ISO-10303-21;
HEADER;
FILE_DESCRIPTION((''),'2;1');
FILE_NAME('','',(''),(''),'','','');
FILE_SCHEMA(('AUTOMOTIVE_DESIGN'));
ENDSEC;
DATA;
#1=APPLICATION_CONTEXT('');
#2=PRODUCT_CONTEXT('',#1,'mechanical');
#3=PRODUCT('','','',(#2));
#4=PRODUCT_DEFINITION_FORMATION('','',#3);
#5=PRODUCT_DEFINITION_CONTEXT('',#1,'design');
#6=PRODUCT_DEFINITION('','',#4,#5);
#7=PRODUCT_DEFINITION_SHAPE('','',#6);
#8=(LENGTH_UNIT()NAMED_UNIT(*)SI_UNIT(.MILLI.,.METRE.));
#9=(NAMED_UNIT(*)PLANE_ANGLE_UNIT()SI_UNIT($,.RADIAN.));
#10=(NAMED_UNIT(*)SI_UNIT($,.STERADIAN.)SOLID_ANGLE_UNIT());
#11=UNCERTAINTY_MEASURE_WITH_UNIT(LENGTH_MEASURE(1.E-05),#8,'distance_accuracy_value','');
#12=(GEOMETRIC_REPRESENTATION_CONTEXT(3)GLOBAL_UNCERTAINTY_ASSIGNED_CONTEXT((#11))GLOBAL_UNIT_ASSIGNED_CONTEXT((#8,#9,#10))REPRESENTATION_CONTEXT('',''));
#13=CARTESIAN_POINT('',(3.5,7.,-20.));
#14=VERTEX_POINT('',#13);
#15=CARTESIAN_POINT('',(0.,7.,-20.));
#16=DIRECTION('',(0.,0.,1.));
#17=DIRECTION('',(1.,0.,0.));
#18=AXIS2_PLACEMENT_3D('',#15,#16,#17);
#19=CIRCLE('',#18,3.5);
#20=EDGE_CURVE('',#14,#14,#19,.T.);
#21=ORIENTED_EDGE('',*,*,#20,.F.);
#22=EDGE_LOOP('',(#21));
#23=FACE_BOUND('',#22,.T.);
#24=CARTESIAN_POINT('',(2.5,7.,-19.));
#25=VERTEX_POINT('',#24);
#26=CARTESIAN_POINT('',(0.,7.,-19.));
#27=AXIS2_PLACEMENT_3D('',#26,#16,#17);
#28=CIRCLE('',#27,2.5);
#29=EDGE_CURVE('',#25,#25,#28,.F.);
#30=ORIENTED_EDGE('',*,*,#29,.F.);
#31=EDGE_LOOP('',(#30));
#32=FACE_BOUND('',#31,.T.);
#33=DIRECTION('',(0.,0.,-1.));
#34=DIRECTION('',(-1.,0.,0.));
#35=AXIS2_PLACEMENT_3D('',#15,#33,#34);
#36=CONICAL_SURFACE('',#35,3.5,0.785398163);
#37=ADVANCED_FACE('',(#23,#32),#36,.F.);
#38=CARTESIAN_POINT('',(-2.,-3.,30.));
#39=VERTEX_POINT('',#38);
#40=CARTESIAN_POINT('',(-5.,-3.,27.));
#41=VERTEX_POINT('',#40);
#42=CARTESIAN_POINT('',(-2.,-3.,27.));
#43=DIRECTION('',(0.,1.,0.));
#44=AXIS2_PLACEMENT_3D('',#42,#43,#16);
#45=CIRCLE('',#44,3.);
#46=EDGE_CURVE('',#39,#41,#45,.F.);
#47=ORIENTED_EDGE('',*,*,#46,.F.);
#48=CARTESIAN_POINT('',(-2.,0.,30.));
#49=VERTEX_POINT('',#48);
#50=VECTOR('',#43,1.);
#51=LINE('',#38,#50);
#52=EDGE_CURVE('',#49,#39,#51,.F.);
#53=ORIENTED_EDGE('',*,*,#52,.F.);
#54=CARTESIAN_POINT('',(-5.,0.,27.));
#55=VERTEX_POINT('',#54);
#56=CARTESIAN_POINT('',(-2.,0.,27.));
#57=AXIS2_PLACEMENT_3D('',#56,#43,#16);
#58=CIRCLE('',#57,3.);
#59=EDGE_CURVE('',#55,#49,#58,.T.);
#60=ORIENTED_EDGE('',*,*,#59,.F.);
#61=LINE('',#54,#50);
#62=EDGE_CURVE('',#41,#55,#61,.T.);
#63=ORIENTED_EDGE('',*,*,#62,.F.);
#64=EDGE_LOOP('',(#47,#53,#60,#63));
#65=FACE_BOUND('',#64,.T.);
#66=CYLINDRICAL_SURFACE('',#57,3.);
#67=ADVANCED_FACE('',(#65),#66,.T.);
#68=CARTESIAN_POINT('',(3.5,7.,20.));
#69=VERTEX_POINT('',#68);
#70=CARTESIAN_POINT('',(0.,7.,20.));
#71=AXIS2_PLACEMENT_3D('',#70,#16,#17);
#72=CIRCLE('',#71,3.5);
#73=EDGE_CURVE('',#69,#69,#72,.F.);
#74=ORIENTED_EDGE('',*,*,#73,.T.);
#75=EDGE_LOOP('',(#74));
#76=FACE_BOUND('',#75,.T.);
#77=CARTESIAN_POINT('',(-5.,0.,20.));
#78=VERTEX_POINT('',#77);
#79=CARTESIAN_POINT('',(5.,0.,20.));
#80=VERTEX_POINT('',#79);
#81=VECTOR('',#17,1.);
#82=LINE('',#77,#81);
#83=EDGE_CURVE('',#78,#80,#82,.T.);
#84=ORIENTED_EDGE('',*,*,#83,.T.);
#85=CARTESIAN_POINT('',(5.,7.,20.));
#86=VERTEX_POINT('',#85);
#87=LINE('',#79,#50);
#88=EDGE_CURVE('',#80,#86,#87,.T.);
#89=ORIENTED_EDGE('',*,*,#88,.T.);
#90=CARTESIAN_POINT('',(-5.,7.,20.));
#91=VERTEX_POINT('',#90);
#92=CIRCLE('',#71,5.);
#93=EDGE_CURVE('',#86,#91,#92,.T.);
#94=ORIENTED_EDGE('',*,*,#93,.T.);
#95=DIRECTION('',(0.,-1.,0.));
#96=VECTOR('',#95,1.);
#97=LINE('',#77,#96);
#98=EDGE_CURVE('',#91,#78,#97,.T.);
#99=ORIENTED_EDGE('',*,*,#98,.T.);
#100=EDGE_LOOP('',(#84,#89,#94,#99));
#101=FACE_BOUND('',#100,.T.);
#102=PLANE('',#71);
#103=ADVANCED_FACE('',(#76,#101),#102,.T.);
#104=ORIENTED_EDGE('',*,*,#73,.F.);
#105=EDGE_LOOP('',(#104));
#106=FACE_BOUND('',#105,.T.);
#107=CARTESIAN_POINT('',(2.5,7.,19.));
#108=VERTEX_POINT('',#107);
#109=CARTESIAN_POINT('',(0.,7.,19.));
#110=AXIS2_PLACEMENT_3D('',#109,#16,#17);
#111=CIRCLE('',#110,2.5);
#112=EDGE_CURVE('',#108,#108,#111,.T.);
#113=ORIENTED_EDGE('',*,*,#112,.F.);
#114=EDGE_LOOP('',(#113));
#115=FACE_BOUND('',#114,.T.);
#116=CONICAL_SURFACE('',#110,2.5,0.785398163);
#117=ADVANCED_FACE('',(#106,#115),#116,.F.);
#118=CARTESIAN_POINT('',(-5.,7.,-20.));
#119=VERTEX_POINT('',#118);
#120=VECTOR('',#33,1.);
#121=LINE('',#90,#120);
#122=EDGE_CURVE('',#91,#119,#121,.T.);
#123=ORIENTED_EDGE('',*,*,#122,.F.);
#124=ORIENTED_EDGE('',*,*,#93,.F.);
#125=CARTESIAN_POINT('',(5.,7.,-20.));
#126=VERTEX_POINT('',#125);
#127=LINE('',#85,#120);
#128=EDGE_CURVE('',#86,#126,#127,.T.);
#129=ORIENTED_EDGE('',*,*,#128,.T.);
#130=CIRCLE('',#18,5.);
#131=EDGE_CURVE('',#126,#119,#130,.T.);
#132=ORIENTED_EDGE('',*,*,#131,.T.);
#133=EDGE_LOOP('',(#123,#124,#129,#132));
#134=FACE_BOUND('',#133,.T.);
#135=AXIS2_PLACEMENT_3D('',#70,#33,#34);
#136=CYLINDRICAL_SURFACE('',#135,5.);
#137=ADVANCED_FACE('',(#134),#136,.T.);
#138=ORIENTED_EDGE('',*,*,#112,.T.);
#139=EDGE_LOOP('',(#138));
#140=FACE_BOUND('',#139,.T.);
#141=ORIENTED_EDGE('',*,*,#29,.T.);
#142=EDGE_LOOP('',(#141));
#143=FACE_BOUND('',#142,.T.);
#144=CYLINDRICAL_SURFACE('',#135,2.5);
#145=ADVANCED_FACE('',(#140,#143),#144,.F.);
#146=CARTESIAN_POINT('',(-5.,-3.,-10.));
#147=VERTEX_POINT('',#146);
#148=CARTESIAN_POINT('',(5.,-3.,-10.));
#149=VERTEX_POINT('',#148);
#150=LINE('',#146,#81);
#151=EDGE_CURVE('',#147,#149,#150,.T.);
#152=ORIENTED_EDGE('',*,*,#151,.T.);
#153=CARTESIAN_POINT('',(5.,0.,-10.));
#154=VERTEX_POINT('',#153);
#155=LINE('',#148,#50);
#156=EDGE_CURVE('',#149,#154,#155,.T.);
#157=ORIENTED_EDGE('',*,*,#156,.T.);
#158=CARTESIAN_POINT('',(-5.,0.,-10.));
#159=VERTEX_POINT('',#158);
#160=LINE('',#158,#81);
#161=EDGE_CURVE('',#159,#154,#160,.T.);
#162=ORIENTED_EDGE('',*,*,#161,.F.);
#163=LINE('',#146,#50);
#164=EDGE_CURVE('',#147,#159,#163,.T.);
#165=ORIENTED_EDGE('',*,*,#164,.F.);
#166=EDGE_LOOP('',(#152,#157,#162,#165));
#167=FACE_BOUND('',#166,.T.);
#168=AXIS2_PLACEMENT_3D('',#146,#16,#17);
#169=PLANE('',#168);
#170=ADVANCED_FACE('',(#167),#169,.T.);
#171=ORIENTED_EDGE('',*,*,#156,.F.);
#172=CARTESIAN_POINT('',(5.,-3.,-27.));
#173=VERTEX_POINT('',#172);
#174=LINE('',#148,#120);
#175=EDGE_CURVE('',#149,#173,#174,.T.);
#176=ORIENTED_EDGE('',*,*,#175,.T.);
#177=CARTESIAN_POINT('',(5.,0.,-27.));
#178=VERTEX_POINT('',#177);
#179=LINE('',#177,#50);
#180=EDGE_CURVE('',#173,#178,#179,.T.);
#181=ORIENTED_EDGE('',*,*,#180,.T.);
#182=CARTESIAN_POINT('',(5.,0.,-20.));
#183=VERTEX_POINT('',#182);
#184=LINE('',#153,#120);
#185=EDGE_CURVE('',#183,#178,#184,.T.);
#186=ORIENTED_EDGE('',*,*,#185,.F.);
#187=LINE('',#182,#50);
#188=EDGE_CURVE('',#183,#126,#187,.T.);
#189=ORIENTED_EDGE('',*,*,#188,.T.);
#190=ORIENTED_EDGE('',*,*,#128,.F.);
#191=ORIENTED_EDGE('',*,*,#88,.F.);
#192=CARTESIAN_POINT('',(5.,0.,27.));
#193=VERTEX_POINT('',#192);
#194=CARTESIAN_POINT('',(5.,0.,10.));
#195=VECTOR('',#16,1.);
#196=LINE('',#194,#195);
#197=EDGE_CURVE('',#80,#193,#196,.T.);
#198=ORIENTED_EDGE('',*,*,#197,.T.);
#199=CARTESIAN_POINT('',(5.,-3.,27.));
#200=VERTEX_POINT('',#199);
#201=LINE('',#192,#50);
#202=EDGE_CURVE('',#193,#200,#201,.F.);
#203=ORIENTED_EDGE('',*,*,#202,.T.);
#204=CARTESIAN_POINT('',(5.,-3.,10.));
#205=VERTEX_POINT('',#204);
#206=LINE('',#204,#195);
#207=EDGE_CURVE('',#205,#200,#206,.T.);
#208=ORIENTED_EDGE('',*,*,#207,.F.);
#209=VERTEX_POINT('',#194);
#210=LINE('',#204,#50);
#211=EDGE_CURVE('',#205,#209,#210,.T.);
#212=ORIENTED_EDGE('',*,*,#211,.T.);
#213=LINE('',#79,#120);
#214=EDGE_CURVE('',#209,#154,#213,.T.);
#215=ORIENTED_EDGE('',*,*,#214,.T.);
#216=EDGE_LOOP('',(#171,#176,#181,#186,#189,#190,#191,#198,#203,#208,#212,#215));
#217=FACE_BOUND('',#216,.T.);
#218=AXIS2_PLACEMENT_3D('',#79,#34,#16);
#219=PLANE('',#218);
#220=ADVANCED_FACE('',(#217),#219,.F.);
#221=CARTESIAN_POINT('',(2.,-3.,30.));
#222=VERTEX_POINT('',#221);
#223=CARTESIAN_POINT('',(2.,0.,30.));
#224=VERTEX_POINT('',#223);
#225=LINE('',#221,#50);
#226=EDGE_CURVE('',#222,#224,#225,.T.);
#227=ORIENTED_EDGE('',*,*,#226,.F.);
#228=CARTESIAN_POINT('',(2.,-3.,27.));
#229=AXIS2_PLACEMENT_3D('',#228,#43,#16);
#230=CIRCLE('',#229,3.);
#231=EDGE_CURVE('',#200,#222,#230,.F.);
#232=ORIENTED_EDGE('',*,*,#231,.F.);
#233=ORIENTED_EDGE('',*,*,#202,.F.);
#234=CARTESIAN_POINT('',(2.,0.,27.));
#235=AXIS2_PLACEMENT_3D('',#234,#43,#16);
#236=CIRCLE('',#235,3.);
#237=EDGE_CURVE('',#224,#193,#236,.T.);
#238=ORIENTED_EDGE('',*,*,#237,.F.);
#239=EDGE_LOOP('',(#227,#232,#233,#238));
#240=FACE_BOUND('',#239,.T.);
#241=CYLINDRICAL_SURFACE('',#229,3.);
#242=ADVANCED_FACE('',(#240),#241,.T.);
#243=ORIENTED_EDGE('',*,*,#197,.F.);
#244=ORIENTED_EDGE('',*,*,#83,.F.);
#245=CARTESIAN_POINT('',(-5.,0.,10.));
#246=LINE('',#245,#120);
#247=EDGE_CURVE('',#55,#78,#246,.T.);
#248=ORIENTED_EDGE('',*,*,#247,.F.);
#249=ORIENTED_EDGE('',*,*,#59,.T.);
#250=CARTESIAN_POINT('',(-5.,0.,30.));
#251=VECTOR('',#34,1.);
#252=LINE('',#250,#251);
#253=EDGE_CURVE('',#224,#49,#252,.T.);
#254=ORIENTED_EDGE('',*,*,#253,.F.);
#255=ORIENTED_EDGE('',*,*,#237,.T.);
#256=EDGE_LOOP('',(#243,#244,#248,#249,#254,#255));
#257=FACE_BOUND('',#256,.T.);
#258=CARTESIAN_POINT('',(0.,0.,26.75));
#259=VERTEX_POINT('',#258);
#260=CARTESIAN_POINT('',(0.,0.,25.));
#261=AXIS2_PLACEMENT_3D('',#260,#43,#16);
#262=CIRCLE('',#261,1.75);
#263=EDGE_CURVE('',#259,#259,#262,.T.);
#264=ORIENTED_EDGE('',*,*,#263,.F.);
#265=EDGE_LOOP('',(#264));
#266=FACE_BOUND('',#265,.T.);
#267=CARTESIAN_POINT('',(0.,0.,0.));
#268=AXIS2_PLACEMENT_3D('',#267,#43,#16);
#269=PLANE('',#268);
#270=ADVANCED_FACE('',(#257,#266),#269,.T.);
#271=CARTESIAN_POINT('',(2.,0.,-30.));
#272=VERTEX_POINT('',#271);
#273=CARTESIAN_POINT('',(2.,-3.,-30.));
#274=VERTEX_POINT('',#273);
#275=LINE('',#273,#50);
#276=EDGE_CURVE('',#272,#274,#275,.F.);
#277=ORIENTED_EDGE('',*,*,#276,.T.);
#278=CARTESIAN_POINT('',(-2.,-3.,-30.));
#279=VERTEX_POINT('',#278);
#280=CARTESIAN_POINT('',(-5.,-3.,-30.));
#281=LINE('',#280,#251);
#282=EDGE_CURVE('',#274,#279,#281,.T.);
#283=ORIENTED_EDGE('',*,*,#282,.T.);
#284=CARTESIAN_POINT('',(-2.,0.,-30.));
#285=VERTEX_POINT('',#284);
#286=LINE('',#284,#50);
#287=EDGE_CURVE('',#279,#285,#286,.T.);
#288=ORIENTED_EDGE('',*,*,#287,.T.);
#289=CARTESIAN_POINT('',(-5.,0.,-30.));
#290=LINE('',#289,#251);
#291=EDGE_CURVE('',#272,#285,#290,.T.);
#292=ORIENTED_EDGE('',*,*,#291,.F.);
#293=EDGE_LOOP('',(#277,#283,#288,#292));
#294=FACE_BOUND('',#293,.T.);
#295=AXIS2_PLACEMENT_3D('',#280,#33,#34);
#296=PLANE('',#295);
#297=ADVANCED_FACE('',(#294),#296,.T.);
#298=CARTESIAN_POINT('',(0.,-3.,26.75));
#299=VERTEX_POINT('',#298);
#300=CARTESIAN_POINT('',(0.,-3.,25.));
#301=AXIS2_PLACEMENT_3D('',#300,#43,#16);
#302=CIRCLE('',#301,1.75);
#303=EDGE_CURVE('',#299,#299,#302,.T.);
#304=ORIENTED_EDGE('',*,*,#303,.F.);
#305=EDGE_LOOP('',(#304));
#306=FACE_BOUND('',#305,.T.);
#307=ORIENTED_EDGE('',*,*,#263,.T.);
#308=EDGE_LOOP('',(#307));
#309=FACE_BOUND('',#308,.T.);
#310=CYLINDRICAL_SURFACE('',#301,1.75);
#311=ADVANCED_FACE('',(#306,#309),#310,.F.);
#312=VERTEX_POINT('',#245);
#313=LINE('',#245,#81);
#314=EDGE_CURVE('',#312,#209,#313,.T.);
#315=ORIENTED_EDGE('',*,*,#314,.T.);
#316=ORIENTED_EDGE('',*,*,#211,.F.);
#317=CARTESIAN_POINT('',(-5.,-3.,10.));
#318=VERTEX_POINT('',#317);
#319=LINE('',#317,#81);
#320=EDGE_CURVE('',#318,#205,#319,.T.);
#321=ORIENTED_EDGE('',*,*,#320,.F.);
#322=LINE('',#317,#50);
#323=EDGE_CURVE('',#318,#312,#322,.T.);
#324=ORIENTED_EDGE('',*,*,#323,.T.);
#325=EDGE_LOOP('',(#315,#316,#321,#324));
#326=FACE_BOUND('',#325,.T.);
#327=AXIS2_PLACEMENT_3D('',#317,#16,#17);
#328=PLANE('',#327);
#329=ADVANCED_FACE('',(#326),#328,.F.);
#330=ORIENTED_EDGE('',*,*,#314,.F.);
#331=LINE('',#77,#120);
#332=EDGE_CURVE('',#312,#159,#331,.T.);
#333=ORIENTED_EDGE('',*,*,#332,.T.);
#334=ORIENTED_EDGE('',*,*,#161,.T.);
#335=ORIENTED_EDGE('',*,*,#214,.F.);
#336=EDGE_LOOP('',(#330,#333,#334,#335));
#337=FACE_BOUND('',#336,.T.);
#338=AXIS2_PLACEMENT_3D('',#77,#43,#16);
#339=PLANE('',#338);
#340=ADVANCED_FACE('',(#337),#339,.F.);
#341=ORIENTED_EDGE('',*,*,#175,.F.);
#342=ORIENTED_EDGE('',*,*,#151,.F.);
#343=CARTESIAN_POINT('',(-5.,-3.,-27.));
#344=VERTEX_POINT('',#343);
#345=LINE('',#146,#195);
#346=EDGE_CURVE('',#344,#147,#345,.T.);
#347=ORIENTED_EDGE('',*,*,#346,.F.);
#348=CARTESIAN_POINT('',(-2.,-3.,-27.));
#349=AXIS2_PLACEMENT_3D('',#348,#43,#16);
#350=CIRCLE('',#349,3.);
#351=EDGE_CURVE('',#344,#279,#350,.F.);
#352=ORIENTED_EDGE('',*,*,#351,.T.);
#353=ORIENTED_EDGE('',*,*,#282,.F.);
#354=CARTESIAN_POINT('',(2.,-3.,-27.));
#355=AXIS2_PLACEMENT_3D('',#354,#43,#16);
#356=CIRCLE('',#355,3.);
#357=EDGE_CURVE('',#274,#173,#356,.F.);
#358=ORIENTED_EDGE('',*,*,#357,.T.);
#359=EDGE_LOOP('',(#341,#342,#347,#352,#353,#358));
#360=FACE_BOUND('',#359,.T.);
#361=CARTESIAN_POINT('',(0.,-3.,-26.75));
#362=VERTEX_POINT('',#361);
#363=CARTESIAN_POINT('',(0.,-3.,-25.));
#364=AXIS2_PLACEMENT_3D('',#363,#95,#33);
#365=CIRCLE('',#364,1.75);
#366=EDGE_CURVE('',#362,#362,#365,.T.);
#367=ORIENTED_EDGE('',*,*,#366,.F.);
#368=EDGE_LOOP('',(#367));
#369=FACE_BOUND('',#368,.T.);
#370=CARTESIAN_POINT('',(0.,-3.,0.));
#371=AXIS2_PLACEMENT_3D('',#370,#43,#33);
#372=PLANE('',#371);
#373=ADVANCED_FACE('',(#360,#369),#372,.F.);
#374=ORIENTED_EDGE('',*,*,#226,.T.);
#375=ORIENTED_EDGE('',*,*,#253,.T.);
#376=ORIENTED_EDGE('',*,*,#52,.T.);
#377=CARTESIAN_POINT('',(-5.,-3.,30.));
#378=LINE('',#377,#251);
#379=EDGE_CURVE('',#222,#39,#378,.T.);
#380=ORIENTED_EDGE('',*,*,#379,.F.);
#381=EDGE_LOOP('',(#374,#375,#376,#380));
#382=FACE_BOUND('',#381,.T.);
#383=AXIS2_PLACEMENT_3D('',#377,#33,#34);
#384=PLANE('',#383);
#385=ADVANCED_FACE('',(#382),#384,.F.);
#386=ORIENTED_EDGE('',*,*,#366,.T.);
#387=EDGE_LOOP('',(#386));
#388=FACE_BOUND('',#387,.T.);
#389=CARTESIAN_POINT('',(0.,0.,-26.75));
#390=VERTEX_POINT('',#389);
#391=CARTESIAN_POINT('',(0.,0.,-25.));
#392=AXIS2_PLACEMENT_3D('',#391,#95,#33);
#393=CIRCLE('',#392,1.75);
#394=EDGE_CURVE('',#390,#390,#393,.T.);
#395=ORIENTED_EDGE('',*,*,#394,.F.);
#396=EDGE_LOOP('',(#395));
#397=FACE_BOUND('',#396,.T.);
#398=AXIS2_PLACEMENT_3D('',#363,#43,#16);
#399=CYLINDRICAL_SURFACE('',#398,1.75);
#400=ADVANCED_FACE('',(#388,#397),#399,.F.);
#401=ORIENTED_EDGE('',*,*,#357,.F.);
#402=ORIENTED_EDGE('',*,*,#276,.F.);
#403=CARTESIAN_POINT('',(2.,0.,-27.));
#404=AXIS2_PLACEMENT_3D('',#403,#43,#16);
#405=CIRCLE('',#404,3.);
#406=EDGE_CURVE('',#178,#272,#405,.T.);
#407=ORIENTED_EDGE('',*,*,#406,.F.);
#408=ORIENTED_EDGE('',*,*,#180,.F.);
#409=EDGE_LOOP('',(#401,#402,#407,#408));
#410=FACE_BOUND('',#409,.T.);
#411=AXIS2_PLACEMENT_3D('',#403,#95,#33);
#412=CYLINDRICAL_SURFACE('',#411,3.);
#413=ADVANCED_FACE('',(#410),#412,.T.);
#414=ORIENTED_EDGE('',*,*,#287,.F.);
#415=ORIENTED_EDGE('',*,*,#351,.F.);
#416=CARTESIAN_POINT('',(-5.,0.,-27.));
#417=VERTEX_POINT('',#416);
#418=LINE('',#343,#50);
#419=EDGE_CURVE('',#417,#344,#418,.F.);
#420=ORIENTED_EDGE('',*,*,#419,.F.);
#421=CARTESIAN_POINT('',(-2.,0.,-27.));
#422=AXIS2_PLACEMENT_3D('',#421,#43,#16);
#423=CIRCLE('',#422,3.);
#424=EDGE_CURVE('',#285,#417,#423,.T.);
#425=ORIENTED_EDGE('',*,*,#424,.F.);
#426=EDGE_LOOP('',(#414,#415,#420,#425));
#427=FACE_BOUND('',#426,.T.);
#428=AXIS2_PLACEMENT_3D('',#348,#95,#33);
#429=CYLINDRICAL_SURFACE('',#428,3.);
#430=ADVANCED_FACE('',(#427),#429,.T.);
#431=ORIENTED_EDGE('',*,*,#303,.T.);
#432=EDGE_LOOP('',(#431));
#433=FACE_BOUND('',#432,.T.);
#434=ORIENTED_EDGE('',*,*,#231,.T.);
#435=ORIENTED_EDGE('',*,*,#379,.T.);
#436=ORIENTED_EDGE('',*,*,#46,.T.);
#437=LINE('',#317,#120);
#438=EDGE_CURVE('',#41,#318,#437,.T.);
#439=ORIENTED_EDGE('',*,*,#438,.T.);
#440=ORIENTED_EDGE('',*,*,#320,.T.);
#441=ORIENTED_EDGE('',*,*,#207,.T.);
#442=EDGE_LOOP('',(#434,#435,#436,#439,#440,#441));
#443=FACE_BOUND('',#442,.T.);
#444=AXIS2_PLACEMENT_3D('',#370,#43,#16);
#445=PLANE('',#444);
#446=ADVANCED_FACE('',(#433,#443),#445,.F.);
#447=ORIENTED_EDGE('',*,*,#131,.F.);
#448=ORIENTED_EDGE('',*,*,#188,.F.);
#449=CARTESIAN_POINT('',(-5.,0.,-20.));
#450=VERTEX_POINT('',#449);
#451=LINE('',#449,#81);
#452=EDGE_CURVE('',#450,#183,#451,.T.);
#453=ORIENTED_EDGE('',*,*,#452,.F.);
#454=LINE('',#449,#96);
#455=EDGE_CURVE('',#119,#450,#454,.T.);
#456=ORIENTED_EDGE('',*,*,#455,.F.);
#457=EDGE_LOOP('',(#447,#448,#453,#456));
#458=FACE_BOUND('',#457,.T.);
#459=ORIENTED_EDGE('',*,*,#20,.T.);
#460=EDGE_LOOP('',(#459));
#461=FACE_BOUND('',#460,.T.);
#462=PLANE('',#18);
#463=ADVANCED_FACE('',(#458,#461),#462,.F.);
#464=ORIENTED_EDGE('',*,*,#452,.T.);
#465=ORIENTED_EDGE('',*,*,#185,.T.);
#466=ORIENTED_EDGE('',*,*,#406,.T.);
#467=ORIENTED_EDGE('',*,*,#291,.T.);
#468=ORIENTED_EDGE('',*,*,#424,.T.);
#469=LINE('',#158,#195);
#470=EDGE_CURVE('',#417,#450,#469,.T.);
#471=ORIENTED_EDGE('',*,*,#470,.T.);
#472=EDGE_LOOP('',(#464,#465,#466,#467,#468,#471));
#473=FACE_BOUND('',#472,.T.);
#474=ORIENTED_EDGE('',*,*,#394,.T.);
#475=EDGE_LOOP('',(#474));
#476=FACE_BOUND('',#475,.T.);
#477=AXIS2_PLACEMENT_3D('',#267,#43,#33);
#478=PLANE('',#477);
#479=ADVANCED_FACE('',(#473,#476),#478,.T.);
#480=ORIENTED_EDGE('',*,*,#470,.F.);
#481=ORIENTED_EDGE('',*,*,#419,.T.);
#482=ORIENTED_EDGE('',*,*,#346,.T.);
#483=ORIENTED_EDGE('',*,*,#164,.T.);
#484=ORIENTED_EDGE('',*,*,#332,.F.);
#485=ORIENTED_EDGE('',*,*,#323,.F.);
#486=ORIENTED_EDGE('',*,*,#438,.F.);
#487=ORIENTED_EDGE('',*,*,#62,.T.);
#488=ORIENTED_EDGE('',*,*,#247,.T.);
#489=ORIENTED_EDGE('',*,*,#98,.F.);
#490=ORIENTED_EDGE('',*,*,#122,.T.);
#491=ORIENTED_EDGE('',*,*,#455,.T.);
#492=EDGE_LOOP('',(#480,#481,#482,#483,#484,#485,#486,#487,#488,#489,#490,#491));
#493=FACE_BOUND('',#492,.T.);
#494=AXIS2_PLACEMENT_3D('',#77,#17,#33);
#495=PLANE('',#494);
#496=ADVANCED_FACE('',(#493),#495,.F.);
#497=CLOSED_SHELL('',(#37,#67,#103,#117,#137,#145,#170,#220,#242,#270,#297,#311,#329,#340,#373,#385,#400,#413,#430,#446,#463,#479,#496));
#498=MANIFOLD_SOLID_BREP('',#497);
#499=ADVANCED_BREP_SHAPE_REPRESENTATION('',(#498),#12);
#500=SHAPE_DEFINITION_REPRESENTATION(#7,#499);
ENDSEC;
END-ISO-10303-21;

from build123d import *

# Parameters (mm, degrees)
SKETCH_1_R             = 2.5
EXTRUDE_1_DEPTH        = 20
SKETCH_2_W             = 10
SKETCH_2_H             = 20
EXTRUDE_2_DEPTH        = 3
SKETCH_3_R             = 1.75
CUT_EXTRUDE_1_DEPTH    = 4
FILLET_1_R             = 3
FILLET_1_OF_MIRROR_1_R = 3
CHAMFER_1_SIZE         = 1


with BuildPart() as part:
    # ｽｹｯﾁ1 → ﾎﾞｽ - 押し出し1 (new body, symmetric)
    with BuildSketch(Plane.XY):
        with BuildLine():
            Line((-5, 0), (5, 0))
            Line((5, 0), (5, 7))
            ThreePointArc((5, 7), (0, 12), (-5, 7))
            Line((-5, 7), (-5, 0))
        make_face()
        with Locations((0, 7)):
            Circle(SKETCH_1_R, mode=Mode.SUBTRACT)
    extrude(amount=EXTRUDE_1_DEPTH, both=True)

    # ｽｹｯﾁ2 → ﾎﾞｽ - 押し出し2 (add)
    with BuildSketch(Plane.XZ):
        with Locations((0, 20)):
            Rectangle(SKETCH_2_W, SKETCH_2_H)
    extrude_2 = extrude(amount=EXTRUDE_2_DEPTH)

    # ｽｹｯﾁ3 → ｶｯﾄ - 押し出し1 (cut, through all)
    with BuildSketch(Plane(origin=(0, 0, 0), x_dir=(1, 0, 0), z_dir=(0, 1, 0))):
        with Locations((0, -25)):
            Circle(SKETCH_3_R)
    cut_extrude_1 = extrude(amount=-CUT_EXTRUDE_1_DEPTH, mode=Mode.SUBTRACT)

    # ﾌｨﾚｯﾄ1
    fillet_1_edges = [part.edges().sort_by_distance(p)[0] for p in [
        (-5, -1.5, 30),
        (5, -1.5, 30),
    ]]
    fillet(fillet_1_edges, radius=FILLET_1_R)

    # ﾐﾗｰ1: ﾎﾞｽ - 押し出し2, ｶｯﾄ - 押し出し1 across plane
    add(extrude_2.mirror(Plane.XY))
    add(cut_extrude_1.mirror(Plane.XY), mode=Mode.SUBTRACT)

    # ﾌｨﾚｯﾄ1 of ﾐﾗｰ1
    fillet_1_of_mirror_1_edges = [part.edges().sort_by_distance(p)[0] for p in [
        (-5, -1.5, -30),
        (5, -1.5, -30),
    ]]
    fillet(fillet_1_of_mirror_1_edges, radius=FILLET_1_OF_MIRROR_1_R)

    # 面取り1
    chamfer_1_edges = [part.edges().sort_by_distance(p)[0] for p in [
        (-2.5, 7, -20),
        (-2.5, 7, 20),
    ]]
    chamfer(chamfer_1_edges, length=CHAMFER_1_SIZE)


solid = part.part
